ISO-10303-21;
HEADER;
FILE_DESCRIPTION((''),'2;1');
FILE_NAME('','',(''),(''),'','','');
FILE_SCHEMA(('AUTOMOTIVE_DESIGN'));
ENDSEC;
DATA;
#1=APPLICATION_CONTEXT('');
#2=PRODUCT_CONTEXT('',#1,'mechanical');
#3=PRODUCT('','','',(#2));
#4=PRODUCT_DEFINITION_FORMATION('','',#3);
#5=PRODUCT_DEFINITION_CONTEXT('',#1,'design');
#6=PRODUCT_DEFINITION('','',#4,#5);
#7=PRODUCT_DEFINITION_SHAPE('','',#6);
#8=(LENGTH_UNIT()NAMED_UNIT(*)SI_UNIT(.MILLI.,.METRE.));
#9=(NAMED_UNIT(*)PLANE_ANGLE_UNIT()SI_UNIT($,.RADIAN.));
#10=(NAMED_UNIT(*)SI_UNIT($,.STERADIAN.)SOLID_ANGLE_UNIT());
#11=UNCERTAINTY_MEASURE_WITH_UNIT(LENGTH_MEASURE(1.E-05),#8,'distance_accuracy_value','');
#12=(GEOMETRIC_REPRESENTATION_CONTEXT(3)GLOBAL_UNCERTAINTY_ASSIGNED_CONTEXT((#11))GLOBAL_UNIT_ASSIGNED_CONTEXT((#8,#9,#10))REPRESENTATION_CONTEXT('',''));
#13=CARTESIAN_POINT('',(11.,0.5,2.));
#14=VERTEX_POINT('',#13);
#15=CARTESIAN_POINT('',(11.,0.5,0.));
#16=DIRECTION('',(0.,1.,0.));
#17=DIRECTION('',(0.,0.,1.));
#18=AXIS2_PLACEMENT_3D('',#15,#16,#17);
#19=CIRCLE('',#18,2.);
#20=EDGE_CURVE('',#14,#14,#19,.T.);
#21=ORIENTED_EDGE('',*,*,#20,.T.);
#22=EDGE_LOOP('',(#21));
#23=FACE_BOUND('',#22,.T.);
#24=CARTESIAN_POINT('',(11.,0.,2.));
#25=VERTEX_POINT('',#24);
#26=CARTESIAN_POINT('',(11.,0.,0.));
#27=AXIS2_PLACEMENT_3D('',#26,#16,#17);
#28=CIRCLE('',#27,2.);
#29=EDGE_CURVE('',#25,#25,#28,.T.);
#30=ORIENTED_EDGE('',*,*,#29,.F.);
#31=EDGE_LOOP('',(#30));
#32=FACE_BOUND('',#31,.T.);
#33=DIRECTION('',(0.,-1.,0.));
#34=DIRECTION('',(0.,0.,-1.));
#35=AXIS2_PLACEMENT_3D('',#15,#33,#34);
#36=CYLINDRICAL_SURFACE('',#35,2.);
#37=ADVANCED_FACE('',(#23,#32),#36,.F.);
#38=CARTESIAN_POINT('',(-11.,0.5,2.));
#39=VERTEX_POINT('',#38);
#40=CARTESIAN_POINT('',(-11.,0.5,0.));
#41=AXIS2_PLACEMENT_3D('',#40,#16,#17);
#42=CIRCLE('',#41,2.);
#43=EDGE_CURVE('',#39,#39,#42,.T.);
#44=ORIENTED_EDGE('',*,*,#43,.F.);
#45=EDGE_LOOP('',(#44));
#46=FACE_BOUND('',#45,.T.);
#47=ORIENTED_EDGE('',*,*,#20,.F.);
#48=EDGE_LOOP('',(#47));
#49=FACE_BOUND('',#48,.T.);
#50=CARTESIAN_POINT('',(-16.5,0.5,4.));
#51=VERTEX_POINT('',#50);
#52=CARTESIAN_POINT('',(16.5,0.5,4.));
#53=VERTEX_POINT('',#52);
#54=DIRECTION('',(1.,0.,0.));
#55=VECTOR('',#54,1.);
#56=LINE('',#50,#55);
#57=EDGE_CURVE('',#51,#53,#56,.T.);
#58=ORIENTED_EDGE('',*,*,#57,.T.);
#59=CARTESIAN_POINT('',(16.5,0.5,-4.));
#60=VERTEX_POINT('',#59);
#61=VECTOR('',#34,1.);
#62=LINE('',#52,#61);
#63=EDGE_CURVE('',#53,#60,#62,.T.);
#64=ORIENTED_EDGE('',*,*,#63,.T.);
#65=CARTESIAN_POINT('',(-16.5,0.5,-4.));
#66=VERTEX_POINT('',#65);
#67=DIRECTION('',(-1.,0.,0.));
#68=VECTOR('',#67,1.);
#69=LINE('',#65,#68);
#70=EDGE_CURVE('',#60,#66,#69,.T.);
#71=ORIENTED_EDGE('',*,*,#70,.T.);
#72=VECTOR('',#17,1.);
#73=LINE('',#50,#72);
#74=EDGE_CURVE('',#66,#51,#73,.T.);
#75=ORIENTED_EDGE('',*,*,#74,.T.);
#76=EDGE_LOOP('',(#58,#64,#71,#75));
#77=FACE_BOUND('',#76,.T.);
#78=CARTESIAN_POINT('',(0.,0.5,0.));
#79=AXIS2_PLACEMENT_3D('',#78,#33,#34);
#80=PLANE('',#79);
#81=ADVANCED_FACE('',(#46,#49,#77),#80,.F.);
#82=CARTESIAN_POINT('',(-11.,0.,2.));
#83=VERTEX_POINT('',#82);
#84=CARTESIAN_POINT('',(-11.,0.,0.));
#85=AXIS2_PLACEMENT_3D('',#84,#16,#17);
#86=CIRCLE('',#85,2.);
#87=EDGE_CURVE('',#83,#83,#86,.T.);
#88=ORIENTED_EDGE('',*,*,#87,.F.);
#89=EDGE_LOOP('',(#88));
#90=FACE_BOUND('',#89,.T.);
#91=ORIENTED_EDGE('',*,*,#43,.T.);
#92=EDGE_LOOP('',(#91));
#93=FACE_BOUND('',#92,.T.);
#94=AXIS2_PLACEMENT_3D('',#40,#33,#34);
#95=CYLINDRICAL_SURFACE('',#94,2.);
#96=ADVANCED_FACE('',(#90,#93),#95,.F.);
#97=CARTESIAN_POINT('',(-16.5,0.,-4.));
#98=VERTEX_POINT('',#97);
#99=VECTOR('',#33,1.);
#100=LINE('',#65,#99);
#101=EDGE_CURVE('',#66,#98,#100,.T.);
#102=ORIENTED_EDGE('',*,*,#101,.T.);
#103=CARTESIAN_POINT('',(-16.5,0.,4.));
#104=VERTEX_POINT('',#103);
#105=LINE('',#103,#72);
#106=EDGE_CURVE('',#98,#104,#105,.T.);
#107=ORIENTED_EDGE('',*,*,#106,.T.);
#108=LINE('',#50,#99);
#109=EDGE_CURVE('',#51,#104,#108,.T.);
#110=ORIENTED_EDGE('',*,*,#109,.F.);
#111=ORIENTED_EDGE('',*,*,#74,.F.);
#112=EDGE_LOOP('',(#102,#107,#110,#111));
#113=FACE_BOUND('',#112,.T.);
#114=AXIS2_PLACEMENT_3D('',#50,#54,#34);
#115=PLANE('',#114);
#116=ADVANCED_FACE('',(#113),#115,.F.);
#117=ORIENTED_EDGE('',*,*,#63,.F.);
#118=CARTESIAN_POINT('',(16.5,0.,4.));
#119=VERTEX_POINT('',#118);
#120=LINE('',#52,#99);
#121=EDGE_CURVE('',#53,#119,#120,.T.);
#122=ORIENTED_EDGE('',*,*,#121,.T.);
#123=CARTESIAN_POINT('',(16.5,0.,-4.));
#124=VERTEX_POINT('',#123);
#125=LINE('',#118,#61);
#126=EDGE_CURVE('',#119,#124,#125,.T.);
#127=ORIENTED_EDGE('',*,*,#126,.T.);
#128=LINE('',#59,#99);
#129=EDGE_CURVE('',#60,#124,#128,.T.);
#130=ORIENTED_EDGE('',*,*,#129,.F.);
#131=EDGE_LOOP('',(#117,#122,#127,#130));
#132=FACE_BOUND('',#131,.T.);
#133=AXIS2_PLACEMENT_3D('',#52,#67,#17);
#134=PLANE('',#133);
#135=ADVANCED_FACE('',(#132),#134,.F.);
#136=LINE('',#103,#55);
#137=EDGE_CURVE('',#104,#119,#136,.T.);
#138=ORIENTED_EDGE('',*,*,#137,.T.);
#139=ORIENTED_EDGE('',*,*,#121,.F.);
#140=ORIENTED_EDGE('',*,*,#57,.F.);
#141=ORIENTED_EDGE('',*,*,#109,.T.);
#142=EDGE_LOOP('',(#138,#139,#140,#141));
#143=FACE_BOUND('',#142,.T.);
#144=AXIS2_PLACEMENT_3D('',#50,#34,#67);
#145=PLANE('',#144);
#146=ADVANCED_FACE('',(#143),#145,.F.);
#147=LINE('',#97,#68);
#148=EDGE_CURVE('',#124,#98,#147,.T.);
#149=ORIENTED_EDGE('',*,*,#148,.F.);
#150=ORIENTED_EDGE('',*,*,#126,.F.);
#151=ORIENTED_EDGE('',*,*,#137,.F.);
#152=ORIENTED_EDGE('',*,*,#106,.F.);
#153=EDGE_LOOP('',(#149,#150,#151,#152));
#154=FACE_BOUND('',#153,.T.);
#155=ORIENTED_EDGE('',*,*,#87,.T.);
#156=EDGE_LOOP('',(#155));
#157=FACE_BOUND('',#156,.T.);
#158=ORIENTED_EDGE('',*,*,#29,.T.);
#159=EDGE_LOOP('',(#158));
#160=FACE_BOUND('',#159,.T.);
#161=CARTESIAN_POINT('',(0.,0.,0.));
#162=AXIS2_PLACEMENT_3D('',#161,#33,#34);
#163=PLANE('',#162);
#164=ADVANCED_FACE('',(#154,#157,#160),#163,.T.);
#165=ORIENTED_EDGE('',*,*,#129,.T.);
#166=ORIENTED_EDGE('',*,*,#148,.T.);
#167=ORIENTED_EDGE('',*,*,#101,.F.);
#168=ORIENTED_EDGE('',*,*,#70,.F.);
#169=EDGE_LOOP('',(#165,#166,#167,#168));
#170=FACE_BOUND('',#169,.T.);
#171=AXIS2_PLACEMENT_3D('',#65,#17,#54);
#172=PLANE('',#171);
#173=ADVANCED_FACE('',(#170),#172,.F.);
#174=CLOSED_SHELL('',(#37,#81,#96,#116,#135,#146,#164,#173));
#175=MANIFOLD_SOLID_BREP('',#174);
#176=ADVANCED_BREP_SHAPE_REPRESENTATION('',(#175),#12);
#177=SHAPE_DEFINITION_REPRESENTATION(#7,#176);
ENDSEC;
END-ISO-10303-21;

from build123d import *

# Parameters (mm, degrees)
SKETCH1_W           = 33
SKETCH1_H           = 8
SKETCH1_R           = 2
BOSS_EXTRUDE1_DEPTH = 0.5


with BuildPart() as part:
    # Sketch1 → Boss-Extrude1 (new body)
    with BuildSketch(Plane(origin=(0, 0, 0), x_dir=(1, 0, 0), z_dir=(0, 1, 0))):
        Rectangle(SKETCH1_W, SKETCH1_H)
        with Locations((-11, 0)):
            Circle(SKETCH1_R, mode=Mode.SUBTRACT)
        with Locations((11, 0)):
            Circle(SKETCH1_R, mode=Mode.SUBTRACT)
    extrude(amount=BOSS_EXTRUDE1_DEPTH)


solid = part.part
